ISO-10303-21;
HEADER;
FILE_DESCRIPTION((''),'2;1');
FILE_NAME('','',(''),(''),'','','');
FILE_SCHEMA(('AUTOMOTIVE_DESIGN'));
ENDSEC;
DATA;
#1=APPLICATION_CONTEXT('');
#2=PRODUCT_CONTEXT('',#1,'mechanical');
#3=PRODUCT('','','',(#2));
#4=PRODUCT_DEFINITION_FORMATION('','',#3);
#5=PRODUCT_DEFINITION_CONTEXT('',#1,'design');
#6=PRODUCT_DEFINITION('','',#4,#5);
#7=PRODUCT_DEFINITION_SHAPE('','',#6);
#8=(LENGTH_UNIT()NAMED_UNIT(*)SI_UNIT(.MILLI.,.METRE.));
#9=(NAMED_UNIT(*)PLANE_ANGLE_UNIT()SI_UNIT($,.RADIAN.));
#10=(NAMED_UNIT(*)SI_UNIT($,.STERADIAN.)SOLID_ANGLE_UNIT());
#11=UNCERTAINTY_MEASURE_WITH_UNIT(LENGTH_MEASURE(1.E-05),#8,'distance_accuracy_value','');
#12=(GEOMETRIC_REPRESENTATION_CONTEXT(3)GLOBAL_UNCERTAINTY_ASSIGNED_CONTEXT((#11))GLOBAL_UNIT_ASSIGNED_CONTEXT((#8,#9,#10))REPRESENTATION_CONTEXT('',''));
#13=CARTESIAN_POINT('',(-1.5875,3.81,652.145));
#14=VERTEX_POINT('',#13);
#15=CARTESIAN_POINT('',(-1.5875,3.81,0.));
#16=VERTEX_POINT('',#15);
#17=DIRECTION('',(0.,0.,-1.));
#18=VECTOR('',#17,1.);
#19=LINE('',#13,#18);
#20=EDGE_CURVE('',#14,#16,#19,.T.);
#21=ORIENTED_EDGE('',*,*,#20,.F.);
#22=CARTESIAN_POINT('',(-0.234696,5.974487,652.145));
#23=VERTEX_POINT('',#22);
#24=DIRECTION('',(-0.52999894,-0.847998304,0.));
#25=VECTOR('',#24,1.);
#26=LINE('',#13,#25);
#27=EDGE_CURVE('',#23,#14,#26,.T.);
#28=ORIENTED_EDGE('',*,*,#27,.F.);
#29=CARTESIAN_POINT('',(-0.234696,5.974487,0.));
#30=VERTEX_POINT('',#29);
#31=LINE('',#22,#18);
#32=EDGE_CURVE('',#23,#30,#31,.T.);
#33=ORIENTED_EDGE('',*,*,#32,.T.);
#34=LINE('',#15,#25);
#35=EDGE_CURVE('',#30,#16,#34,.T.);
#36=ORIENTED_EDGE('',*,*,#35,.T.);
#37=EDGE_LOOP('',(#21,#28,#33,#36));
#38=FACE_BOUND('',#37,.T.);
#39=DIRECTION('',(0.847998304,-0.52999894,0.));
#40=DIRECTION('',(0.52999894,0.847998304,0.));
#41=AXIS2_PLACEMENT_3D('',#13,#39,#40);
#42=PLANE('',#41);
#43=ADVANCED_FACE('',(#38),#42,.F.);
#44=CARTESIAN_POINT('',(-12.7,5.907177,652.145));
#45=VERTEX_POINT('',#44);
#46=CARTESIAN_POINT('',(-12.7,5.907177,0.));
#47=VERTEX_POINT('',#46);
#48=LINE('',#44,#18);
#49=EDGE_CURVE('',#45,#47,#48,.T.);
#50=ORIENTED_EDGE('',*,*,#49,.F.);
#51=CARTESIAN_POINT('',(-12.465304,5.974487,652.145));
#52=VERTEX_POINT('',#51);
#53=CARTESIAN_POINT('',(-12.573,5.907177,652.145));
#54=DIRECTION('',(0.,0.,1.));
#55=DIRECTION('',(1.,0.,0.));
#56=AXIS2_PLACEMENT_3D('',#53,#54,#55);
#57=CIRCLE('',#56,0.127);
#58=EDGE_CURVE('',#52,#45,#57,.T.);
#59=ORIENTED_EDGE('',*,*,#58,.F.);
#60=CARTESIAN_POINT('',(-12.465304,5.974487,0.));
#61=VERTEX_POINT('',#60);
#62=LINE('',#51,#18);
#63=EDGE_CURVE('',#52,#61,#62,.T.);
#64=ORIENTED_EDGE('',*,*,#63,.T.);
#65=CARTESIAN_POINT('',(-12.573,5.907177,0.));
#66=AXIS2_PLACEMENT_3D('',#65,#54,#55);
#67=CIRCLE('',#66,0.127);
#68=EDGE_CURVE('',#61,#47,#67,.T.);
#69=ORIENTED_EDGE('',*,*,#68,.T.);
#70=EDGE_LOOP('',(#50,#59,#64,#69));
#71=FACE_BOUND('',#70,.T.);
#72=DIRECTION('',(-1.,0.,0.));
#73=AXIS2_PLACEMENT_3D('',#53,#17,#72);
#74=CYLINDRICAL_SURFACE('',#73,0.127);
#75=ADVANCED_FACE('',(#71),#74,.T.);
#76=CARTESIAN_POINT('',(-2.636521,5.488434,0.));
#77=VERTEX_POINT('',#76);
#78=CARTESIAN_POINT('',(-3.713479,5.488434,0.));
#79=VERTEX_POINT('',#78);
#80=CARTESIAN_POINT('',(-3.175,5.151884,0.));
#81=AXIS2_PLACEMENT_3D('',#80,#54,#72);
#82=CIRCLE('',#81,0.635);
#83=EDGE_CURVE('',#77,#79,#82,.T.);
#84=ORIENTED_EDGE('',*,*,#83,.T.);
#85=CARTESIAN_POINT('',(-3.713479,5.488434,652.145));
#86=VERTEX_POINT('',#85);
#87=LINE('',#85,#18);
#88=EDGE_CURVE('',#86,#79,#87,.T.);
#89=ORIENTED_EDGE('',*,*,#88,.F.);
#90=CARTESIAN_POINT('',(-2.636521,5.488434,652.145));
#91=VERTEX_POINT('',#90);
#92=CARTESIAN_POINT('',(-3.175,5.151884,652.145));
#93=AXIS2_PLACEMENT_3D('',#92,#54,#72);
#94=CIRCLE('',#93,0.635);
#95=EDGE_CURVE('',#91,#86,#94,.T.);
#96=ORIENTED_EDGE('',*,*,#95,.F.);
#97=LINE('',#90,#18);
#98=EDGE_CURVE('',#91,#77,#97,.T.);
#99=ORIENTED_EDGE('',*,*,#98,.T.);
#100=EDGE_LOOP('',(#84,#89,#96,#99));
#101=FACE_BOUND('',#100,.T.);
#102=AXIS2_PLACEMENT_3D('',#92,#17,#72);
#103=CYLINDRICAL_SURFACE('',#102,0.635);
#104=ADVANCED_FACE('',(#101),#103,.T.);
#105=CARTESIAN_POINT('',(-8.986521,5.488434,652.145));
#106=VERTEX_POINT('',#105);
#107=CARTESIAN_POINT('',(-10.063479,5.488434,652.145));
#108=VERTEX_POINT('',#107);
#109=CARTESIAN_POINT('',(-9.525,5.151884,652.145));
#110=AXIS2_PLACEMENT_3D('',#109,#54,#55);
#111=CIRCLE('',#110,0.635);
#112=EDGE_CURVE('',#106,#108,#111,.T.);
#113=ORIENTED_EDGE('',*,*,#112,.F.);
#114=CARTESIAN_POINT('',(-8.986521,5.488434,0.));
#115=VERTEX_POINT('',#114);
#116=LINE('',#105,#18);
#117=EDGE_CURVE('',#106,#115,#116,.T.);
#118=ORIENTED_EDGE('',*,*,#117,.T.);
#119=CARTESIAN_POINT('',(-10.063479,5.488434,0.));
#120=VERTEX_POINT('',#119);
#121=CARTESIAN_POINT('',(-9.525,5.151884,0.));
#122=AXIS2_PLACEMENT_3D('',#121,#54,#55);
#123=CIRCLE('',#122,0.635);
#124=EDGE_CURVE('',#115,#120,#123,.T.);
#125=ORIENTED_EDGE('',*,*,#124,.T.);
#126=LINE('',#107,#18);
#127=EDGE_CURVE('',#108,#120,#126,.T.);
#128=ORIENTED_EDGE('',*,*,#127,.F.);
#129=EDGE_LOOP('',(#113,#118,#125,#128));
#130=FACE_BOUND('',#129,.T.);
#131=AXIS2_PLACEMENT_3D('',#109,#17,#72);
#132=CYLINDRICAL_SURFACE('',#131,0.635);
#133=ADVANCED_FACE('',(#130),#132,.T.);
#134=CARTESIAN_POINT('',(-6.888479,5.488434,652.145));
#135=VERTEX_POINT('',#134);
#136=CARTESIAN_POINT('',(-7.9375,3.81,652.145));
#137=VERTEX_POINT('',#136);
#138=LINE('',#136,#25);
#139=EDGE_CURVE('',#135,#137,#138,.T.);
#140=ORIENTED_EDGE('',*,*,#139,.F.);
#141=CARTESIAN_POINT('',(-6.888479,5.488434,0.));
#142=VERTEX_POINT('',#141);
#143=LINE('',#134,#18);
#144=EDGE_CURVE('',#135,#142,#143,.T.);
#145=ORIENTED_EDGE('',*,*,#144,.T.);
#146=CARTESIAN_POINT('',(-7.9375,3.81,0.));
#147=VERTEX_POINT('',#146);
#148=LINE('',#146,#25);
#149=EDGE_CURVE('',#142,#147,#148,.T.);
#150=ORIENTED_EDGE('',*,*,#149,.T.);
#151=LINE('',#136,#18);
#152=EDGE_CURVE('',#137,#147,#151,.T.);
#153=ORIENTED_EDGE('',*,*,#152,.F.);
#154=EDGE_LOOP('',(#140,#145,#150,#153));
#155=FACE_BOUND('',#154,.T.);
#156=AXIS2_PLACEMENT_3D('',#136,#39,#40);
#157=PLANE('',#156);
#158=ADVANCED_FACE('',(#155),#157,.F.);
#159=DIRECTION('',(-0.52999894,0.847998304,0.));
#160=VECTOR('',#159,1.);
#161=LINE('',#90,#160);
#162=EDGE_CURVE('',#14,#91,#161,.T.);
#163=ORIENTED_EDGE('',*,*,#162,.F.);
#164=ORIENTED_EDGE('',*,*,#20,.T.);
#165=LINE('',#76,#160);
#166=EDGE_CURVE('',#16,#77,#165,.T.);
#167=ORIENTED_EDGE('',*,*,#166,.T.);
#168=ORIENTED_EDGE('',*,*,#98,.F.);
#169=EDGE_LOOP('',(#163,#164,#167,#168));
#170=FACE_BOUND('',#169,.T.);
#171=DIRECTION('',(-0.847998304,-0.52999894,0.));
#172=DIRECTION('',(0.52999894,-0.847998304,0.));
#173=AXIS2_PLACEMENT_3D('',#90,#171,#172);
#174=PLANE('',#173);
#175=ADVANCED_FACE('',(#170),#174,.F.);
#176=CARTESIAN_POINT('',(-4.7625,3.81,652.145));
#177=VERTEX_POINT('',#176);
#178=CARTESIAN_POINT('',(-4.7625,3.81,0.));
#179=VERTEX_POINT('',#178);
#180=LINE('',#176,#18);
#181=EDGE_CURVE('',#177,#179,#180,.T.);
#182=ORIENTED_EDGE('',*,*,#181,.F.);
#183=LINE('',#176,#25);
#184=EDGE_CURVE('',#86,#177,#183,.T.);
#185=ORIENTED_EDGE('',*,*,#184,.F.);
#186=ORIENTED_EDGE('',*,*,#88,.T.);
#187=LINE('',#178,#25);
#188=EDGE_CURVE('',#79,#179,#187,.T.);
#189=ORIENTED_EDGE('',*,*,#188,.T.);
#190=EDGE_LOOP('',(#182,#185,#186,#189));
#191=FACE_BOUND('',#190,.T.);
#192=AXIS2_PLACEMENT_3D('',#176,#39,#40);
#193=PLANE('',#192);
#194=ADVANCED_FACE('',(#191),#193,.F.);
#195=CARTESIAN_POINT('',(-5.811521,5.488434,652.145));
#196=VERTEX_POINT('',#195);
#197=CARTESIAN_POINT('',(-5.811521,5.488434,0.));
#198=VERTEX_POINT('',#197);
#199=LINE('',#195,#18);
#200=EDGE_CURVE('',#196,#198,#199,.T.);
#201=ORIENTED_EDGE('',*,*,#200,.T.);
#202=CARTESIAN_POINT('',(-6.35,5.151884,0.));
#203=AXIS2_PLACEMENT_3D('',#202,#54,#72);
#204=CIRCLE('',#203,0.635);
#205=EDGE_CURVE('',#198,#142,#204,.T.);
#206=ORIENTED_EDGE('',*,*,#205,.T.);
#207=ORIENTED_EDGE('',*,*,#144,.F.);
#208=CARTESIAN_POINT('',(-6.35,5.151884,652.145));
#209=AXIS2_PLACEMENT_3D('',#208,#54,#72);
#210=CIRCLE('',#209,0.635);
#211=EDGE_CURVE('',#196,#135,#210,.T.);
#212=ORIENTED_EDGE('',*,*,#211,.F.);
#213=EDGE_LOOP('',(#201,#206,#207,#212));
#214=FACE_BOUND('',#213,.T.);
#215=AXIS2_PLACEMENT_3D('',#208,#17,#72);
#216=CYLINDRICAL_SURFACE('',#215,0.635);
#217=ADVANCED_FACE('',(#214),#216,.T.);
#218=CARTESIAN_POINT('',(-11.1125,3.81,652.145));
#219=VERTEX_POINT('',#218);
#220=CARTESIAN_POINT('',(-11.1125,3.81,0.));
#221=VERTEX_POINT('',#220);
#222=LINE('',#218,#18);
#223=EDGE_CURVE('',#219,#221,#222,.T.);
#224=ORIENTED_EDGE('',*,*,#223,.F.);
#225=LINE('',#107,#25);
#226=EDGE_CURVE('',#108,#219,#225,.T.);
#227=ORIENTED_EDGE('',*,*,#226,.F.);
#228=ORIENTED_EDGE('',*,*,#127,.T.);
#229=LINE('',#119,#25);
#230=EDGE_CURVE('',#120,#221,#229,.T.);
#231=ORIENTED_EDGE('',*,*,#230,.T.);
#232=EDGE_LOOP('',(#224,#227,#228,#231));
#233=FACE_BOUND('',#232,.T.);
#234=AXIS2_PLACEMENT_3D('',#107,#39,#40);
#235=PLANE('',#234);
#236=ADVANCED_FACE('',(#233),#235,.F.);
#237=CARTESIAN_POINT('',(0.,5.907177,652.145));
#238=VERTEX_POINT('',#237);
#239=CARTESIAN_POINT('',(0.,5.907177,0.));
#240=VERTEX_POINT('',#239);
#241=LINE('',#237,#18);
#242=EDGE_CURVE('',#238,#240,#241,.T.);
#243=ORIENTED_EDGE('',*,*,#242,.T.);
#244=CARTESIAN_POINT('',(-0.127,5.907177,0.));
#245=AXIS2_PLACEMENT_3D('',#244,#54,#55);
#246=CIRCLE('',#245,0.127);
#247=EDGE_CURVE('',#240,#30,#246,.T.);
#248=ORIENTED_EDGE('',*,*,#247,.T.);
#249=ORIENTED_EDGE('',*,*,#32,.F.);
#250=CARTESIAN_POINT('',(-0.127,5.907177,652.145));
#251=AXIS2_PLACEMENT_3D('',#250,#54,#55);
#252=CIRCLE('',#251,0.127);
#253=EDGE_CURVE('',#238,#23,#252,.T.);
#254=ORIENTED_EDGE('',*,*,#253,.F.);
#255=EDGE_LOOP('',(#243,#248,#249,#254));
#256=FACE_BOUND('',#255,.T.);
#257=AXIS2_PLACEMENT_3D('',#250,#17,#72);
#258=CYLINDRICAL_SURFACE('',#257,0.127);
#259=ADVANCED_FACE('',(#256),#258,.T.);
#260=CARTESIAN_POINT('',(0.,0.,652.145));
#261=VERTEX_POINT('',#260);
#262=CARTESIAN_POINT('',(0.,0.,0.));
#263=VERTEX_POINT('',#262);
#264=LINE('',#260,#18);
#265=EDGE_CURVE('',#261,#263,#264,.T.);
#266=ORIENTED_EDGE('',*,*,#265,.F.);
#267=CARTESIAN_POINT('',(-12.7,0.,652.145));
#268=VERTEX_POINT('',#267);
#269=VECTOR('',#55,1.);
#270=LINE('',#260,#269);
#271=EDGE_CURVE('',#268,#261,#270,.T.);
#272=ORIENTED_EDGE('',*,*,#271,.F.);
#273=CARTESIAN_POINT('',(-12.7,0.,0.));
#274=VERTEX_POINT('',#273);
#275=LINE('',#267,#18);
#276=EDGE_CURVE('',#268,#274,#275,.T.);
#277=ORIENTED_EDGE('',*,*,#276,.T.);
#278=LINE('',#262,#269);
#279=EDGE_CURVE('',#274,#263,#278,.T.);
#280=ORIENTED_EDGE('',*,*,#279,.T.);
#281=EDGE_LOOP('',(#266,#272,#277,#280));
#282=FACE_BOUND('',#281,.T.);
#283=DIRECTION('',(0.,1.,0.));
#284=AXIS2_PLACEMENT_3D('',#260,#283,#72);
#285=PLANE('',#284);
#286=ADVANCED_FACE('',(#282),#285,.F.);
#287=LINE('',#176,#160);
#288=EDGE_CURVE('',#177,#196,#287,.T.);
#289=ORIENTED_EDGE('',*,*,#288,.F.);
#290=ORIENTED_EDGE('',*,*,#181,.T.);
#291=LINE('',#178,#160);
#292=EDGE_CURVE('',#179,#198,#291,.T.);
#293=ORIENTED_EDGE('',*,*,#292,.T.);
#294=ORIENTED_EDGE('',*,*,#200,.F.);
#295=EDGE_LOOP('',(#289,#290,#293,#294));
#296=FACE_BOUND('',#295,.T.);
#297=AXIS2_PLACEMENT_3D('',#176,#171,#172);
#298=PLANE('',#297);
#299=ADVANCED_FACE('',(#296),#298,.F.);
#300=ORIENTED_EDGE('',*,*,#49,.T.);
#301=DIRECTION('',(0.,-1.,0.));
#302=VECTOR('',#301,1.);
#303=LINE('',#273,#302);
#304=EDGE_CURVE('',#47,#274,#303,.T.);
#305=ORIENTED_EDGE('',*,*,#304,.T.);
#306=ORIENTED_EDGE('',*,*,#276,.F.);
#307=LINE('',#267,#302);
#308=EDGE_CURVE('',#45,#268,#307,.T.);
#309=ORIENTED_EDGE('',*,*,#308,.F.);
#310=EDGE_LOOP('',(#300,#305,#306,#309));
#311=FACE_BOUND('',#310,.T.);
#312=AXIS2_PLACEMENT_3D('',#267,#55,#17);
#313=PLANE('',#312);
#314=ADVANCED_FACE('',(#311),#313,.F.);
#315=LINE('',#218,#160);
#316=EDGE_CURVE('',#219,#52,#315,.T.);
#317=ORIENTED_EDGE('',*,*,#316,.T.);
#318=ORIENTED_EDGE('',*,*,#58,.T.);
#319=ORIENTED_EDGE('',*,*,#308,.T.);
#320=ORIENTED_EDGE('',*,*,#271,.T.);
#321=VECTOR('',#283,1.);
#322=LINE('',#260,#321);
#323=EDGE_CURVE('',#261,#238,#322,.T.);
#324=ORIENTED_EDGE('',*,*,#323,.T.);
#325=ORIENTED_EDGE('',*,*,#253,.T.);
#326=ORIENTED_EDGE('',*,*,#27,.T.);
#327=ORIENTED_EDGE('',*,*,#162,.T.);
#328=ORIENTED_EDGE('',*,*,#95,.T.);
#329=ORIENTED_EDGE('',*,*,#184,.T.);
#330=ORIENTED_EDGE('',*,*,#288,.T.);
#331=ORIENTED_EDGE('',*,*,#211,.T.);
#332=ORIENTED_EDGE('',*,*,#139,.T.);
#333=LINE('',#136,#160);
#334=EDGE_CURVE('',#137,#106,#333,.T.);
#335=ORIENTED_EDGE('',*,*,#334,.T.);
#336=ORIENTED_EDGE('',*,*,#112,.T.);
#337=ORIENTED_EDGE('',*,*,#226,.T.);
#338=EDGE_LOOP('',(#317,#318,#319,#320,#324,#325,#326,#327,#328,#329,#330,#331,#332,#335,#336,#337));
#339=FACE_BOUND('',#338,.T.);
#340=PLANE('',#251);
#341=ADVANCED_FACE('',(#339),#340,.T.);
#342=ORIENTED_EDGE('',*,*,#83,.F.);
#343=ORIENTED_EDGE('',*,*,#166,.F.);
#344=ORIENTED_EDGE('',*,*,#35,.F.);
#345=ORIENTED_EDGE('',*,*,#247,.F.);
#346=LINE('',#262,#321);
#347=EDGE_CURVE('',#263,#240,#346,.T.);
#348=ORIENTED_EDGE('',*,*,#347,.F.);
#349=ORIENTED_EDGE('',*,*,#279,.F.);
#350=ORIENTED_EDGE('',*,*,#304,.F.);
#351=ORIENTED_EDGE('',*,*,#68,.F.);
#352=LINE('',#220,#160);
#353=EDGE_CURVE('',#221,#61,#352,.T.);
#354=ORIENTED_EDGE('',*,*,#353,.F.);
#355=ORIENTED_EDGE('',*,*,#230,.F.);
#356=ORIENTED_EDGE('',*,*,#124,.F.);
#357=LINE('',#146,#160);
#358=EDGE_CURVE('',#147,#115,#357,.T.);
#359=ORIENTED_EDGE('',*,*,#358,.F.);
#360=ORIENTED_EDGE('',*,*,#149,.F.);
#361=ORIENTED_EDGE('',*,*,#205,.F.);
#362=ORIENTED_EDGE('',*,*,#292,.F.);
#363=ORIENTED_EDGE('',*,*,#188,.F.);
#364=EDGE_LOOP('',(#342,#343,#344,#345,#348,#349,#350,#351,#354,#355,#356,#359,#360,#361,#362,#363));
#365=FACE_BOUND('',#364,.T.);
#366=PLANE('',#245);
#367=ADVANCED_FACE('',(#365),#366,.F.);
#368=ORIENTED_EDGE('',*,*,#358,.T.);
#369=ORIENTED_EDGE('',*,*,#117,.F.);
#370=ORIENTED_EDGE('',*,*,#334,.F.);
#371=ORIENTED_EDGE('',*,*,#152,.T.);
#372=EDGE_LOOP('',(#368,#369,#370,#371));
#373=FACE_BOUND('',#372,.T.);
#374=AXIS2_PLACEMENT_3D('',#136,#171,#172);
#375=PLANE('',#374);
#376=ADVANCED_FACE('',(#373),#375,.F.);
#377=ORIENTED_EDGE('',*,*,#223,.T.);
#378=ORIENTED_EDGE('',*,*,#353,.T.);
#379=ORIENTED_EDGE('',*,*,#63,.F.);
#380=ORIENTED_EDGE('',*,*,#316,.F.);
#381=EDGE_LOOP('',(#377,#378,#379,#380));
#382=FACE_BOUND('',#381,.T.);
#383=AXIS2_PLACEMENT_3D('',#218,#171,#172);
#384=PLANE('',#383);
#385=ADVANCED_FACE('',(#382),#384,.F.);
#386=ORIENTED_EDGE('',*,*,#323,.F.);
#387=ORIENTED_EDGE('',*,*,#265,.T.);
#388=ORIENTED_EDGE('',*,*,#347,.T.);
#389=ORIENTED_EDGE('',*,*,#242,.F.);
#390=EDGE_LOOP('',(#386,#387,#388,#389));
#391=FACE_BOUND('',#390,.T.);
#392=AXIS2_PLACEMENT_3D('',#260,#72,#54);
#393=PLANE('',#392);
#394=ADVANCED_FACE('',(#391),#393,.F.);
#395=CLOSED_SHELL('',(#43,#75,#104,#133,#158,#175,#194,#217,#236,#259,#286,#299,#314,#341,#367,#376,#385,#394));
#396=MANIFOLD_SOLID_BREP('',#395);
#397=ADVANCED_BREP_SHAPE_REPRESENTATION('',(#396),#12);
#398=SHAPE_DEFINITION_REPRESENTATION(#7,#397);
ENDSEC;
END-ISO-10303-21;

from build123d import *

# Parameters (mm, degrees)
BOSS_EXTRUDE1_DEPTH = 652.145


with BuildPart() as part:
    # Sketch1 → Boss-Extrude1 (new body)
    with BuildSketch(Plane.XY):
        with BuildLine():
            Line((0, 0), (-12.7, 0))
            Line((-12.7, 0), (-12.7, 5.907176879))
            ThreePointArc((-12.7, 5.907176879), (-12.608011679, 6.02925547), (-12.465304215, 5.974486745))
            Line((-12.465304215, 5.974486745), (-11.1125, 3.81))
            Line((-11.1125, 3.81), (-10.063478923, 5.488433723))
            ThreePointArc((-10.063478923, 5.488433723), (-9.525, 5.786884396), (-8.986521077, 5.488433723))
            Line((-8.986521077, 5.488433723), (-7.9375, 3.81))
            Line((-7.9375, 3.81), (-6.888478923, 5.488433723))
            ThreePointArc((-6.888478923, 5.488433723), (-6.35, 5.786884396), (-5.811521077, 5.488433723))
            Line((-5.811521077, 5.488433723), (-4.7625, 3.81))
            Line((-4.7625, 3.81), (-3.713478923, 5.488433723))
            ThreePointArc((-3.713478923, 5.488433723), (-3.175, 5.786884396), (-2.636521077, 5.488433723))
            Line((-2.636521077, 5.488433723), (-1.5875, 3.81))
            Line((-1.5875, 3.81), (-0.234695785, 5.974486745))
            ThreePointArc((-0.234695785, 5.974486745), (-0.091988321, 6.02925547), (0, 5.907176879))
            Line((0, 5.907176879), (0, 0))
        make_face()
    extrude(amount=BOSS_EXTRUDE1_DEPTH)


solid = part.part
